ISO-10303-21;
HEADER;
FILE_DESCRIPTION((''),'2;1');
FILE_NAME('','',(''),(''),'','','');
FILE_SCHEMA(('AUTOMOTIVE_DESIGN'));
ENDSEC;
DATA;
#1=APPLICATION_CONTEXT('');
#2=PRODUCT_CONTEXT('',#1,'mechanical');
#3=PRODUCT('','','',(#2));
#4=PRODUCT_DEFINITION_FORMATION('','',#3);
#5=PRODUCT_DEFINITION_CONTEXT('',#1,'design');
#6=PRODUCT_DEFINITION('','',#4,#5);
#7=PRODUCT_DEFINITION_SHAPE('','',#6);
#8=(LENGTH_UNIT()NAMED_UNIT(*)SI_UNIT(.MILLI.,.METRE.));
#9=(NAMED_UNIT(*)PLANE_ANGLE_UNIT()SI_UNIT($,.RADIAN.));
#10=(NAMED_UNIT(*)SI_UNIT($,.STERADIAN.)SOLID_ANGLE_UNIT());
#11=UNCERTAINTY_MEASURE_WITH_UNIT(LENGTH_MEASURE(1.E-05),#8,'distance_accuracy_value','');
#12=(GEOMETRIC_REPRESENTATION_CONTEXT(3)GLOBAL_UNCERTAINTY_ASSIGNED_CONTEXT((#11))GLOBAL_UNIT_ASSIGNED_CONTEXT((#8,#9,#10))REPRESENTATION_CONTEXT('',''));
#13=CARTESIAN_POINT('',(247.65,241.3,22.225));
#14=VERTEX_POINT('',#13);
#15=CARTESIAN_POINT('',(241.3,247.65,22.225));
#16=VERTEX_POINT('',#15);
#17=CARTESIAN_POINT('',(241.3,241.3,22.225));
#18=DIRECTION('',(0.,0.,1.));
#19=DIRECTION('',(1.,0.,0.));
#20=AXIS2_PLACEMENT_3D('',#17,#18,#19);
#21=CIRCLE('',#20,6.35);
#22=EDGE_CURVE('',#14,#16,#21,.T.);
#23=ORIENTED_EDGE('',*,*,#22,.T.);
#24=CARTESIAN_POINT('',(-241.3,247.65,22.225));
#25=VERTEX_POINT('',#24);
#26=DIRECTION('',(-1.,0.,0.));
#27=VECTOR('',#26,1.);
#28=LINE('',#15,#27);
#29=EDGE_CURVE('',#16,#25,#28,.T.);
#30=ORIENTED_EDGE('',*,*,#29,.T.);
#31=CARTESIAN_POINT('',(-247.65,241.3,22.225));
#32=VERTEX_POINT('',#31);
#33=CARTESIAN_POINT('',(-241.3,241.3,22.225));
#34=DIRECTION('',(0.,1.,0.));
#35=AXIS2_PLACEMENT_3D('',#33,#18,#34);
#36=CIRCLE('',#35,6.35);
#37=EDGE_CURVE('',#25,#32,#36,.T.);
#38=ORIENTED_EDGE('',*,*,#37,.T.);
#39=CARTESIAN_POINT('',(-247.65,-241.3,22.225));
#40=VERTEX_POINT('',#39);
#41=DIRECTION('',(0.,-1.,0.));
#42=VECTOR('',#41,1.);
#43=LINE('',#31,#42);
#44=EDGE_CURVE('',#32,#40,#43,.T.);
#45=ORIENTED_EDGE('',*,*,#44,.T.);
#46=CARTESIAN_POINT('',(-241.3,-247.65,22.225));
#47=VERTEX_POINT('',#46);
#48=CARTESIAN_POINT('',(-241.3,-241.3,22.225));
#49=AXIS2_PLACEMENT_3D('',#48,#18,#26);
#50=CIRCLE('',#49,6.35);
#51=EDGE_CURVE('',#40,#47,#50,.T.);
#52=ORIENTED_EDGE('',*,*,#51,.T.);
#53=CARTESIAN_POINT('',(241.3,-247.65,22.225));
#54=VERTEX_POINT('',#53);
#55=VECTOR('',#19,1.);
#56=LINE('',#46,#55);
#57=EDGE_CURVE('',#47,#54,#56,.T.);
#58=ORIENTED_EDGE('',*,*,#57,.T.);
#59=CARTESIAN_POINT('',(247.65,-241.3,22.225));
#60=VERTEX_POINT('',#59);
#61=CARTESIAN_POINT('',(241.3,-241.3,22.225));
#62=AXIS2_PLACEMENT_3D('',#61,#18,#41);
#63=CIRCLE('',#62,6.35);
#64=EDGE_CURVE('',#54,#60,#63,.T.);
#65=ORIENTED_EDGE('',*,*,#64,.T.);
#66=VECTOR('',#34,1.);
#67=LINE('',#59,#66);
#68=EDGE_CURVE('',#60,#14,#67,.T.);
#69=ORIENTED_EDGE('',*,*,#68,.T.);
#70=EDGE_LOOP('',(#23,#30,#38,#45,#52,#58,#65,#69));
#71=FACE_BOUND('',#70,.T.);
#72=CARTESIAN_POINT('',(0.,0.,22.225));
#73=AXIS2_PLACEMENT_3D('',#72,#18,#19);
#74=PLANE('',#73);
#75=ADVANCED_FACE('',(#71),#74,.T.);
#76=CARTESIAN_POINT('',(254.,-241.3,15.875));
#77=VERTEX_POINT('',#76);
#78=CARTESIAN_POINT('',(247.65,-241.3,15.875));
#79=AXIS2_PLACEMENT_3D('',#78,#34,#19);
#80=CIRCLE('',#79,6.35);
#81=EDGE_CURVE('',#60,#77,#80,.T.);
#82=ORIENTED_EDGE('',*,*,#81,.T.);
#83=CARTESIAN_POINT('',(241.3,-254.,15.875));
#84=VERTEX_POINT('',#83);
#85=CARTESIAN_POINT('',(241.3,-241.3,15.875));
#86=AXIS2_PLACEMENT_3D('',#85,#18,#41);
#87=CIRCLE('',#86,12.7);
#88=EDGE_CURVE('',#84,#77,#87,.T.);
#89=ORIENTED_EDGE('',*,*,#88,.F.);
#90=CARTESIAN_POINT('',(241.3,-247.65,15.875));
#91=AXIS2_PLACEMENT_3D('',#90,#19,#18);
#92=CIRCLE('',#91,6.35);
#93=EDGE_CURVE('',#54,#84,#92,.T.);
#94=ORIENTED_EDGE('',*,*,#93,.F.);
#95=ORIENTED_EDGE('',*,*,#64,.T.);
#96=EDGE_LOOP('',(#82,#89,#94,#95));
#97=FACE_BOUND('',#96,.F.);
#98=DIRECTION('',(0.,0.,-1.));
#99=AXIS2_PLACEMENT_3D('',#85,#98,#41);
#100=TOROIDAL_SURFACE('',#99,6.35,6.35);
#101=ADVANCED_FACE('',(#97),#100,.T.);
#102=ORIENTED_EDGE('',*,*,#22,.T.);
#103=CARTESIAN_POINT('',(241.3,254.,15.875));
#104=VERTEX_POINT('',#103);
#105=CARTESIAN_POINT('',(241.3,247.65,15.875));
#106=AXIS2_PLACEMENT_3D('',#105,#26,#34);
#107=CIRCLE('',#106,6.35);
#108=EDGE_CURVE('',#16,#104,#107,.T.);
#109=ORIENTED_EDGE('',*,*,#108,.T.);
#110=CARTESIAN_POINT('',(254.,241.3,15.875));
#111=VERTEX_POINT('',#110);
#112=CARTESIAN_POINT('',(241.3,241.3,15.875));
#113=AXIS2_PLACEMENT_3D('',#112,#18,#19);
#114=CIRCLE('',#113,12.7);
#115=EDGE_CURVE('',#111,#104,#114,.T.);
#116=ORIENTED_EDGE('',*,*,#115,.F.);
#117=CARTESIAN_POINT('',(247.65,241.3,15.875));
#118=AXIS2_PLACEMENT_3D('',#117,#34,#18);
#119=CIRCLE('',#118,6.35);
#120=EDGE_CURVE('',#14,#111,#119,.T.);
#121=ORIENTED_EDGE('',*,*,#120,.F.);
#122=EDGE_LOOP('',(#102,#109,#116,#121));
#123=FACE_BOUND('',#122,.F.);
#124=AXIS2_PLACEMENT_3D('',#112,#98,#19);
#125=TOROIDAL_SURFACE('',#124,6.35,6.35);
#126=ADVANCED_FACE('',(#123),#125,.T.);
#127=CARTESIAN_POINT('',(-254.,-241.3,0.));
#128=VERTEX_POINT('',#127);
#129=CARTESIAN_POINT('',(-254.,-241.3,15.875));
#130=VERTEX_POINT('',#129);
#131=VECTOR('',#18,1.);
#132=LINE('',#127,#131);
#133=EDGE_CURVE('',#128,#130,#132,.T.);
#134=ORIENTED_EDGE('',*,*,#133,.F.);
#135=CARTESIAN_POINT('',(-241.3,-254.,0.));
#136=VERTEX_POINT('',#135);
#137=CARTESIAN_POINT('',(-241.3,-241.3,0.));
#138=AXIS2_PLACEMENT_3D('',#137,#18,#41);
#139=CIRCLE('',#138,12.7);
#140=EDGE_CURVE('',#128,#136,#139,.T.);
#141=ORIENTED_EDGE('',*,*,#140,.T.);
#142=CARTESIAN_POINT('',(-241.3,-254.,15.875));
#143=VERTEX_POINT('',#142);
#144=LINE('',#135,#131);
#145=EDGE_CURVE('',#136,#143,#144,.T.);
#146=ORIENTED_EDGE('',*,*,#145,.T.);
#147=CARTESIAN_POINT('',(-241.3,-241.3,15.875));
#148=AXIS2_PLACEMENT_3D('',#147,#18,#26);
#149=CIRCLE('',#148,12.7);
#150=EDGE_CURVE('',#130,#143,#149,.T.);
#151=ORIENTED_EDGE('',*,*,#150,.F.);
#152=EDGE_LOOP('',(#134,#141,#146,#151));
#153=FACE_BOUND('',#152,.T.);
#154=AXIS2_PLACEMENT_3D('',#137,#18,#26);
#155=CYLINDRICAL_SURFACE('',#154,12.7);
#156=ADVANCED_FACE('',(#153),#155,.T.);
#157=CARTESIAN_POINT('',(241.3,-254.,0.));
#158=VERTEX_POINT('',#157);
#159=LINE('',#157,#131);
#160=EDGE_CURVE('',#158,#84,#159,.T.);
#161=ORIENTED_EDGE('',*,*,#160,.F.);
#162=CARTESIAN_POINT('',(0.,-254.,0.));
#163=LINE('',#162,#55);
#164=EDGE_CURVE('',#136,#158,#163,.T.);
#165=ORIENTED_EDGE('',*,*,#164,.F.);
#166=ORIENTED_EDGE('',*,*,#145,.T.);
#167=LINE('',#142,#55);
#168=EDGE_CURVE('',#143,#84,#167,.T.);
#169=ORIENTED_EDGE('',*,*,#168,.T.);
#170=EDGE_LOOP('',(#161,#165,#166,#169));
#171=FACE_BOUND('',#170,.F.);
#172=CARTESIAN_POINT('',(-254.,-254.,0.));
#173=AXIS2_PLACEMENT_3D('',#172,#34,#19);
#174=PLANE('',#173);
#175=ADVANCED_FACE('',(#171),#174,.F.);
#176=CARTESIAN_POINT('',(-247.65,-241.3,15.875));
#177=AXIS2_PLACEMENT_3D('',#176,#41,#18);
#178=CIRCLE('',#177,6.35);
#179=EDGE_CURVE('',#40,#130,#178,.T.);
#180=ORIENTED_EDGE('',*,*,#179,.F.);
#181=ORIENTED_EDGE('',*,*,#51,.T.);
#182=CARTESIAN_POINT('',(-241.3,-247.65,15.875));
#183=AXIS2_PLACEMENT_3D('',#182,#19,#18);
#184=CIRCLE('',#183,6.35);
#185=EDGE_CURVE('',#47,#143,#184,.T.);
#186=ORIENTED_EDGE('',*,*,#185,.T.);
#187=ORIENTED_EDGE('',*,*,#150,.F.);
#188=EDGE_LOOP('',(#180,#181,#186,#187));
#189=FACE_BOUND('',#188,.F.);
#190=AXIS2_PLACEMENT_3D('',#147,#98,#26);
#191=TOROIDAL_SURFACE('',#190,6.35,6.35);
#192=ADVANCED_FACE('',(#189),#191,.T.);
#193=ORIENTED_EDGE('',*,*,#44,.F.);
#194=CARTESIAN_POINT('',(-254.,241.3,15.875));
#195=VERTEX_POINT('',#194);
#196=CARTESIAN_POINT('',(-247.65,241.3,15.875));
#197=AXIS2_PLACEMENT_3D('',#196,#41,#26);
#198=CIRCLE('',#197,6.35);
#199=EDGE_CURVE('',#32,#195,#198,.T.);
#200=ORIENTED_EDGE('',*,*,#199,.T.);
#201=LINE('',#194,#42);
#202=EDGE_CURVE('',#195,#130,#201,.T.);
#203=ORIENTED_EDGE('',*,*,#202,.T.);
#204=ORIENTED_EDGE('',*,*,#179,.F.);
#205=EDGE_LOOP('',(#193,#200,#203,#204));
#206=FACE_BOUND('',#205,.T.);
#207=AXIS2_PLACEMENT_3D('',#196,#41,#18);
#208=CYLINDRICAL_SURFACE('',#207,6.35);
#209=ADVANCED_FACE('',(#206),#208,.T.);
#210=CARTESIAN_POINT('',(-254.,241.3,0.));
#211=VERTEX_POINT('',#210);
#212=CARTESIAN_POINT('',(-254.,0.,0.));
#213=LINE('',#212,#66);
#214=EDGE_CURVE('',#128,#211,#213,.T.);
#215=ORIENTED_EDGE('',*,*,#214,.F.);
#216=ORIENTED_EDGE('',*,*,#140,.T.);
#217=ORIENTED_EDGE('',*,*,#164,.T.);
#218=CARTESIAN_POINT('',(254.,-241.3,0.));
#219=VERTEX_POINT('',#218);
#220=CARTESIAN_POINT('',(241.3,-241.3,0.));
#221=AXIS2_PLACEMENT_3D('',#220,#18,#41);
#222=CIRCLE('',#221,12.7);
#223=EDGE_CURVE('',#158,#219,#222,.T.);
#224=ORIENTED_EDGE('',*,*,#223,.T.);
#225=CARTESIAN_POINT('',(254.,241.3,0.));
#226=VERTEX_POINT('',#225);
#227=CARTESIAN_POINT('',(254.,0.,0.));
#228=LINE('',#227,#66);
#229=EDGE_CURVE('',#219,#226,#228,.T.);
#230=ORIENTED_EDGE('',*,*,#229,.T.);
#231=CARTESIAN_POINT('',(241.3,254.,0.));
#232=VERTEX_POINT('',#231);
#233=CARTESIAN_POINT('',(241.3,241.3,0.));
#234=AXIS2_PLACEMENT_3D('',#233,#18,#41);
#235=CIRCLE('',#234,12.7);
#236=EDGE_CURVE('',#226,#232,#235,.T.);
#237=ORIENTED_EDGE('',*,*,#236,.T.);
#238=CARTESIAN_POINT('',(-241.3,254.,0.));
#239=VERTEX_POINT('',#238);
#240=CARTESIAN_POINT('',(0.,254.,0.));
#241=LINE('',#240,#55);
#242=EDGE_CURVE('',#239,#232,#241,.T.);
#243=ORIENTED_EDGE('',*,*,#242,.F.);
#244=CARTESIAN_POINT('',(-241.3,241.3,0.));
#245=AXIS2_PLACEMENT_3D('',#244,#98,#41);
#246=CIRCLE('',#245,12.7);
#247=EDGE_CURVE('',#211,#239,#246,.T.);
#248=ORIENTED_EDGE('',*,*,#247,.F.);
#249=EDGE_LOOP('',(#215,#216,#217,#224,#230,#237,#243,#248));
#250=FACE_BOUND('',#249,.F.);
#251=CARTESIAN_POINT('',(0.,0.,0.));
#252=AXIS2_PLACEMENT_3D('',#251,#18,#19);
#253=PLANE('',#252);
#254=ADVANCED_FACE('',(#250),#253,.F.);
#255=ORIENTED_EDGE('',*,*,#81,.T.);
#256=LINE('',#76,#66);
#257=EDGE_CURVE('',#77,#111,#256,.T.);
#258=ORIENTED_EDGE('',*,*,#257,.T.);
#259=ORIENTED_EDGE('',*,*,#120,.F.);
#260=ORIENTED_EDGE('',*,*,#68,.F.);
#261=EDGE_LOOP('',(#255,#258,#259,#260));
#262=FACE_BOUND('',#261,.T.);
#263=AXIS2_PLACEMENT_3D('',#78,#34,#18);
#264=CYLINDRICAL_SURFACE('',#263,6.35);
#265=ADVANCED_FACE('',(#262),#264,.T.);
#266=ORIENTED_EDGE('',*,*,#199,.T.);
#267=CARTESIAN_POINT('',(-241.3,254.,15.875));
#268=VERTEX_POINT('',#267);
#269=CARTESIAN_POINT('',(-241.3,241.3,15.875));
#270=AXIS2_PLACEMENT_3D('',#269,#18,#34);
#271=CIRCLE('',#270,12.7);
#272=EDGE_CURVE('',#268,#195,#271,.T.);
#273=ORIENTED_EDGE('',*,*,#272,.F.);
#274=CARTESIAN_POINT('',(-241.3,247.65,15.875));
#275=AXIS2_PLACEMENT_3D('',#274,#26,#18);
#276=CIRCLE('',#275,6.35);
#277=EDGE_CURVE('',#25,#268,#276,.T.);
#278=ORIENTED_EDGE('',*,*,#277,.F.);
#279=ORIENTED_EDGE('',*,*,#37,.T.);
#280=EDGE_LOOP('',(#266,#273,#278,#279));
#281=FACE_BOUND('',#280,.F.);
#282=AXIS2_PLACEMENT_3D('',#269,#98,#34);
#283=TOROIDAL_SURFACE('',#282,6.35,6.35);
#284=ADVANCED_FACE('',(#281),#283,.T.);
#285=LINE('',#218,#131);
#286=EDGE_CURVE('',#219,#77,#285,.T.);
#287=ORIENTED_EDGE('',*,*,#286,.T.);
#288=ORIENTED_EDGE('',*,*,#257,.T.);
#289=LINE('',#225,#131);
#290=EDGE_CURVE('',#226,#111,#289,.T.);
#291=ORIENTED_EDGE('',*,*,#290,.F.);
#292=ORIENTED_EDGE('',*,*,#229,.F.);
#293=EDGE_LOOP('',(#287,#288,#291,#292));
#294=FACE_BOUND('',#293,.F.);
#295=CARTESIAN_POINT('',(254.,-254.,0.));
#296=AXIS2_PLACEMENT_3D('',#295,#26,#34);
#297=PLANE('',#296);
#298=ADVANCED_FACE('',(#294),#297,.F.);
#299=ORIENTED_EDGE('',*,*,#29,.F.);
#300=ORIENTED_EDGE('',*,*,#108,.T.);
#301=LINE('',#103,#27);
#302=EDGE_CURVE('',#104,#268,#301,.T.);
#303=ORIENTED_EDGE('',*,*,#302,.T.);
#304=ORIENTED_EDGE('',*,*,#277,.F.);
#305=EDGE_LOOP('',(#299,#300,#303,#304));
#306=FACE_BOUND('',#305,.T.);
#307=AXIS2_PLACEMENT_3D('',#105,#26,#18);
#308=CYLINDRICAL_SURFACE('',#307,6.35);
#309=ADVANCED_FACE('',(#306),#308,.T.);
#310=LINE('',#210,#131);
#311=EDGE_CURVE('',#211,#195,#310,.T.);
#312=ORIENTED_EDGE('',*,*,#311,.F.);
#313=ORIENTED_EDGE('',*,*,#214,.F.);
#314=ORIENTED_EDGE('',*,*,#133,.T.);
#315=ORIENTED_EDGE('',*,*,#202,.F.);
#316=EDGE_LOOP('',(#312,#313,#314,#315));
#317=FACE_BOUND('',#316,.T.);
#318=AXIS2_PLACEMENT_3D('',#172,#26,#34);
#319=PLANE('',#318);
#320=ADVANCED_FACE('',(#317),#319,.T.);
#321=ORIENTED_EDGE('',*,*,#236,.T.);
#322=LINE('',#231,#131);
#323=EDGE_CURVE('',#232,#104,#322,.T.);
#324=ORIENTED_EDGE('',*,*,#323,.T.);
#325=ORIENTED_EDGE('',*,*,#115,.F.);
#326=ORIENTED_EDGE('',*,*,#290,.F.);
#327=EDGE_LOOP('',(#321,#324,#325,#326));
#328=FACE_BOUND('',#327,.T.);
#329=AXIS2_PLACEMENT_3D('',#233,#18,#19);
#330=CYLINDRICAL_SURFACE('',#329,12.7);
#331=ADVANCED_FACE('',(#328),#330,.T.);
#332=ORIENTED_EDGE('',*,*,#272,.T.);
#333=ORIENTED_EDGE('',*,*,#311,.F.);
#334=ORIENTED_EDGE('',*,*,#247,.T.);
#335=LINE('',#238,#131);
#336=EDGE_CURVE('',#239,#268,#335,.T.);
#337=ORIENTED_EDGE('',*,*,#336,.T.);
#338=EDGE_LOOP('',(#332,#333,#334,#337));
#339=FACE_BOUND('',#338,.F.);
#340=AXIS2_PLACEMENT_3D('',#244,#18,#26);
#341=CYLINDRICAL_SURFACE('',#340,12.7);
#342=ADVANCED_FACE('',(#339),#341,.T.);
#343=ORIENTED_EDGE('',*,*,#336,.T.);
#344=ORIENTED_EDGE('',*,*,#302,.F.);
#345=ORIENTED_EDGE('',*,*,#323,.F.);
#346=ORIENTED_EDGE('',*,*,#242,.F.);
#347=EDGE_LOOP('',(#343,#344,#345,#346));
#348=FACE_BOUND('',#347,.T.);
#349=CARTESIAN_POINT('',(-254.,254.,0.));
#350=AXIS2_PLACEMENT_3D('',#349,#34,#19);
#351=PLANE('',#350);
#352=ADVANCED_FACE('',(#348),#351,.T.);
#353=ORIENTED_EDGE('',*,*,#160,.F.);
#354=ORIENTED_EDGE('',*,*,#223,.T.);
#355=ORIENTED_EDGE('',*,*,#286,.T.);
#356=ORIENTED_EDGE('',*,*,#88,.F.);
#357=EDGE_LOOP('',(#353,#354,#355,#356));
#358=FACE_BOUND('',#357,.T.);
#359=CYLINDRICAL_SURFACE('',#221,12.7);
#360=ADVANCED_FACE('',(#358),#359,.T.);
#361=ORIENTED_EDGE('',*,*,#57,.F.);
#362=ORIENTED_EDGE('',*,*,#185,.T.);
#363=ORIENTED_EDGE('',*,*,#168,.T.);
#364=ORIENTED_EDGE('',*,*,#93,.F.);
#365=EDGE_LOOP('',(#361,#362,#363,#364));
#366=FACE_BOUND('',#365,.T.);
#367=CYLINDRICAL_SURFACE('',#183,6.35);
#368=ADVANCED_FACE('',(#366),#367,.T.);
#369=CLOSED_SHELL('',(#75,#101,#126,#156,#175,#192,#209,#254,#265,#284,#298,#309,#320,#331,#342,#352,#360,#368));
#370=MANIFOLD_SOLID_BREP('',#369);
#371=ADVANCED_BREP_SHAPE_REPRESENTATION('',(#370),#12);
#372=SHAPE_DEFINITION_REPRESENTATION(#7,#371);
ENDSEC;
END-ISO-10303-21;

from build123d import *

# Parameters (mm, degrees)
F0_W     = 508
F0_H     = 508
F1_DEPTH = 22.225
F2_R     = 12.7
F3_R     = 6.35


with BuildPart() as f1:
    # F0 (on Top) → F1 (new body)
    with BuildSketch(Plane.XY):
        Rectangle(F0_W, F0_H)
    extrude(amount=F1_DEPTH)

    # F2
    f2_edges = [f1.edges().sort_by_distance(p)[0] for p in [
        (-254, -254, 11.1125),
        (254, -254, 11.1125),
        (254, 254, 11.1125),
        (-254, 254, 11.1125),
    ]]
    fillet(f2_edges, radius=F2_R)

    # F3
    f3_edges = [f1.edges().sort_by_distance(p)[0] for p in [
        (0, -254, 22.225),
    ]]
    fillet(f3_edges, radius=F3_R)


solid = f1.part
